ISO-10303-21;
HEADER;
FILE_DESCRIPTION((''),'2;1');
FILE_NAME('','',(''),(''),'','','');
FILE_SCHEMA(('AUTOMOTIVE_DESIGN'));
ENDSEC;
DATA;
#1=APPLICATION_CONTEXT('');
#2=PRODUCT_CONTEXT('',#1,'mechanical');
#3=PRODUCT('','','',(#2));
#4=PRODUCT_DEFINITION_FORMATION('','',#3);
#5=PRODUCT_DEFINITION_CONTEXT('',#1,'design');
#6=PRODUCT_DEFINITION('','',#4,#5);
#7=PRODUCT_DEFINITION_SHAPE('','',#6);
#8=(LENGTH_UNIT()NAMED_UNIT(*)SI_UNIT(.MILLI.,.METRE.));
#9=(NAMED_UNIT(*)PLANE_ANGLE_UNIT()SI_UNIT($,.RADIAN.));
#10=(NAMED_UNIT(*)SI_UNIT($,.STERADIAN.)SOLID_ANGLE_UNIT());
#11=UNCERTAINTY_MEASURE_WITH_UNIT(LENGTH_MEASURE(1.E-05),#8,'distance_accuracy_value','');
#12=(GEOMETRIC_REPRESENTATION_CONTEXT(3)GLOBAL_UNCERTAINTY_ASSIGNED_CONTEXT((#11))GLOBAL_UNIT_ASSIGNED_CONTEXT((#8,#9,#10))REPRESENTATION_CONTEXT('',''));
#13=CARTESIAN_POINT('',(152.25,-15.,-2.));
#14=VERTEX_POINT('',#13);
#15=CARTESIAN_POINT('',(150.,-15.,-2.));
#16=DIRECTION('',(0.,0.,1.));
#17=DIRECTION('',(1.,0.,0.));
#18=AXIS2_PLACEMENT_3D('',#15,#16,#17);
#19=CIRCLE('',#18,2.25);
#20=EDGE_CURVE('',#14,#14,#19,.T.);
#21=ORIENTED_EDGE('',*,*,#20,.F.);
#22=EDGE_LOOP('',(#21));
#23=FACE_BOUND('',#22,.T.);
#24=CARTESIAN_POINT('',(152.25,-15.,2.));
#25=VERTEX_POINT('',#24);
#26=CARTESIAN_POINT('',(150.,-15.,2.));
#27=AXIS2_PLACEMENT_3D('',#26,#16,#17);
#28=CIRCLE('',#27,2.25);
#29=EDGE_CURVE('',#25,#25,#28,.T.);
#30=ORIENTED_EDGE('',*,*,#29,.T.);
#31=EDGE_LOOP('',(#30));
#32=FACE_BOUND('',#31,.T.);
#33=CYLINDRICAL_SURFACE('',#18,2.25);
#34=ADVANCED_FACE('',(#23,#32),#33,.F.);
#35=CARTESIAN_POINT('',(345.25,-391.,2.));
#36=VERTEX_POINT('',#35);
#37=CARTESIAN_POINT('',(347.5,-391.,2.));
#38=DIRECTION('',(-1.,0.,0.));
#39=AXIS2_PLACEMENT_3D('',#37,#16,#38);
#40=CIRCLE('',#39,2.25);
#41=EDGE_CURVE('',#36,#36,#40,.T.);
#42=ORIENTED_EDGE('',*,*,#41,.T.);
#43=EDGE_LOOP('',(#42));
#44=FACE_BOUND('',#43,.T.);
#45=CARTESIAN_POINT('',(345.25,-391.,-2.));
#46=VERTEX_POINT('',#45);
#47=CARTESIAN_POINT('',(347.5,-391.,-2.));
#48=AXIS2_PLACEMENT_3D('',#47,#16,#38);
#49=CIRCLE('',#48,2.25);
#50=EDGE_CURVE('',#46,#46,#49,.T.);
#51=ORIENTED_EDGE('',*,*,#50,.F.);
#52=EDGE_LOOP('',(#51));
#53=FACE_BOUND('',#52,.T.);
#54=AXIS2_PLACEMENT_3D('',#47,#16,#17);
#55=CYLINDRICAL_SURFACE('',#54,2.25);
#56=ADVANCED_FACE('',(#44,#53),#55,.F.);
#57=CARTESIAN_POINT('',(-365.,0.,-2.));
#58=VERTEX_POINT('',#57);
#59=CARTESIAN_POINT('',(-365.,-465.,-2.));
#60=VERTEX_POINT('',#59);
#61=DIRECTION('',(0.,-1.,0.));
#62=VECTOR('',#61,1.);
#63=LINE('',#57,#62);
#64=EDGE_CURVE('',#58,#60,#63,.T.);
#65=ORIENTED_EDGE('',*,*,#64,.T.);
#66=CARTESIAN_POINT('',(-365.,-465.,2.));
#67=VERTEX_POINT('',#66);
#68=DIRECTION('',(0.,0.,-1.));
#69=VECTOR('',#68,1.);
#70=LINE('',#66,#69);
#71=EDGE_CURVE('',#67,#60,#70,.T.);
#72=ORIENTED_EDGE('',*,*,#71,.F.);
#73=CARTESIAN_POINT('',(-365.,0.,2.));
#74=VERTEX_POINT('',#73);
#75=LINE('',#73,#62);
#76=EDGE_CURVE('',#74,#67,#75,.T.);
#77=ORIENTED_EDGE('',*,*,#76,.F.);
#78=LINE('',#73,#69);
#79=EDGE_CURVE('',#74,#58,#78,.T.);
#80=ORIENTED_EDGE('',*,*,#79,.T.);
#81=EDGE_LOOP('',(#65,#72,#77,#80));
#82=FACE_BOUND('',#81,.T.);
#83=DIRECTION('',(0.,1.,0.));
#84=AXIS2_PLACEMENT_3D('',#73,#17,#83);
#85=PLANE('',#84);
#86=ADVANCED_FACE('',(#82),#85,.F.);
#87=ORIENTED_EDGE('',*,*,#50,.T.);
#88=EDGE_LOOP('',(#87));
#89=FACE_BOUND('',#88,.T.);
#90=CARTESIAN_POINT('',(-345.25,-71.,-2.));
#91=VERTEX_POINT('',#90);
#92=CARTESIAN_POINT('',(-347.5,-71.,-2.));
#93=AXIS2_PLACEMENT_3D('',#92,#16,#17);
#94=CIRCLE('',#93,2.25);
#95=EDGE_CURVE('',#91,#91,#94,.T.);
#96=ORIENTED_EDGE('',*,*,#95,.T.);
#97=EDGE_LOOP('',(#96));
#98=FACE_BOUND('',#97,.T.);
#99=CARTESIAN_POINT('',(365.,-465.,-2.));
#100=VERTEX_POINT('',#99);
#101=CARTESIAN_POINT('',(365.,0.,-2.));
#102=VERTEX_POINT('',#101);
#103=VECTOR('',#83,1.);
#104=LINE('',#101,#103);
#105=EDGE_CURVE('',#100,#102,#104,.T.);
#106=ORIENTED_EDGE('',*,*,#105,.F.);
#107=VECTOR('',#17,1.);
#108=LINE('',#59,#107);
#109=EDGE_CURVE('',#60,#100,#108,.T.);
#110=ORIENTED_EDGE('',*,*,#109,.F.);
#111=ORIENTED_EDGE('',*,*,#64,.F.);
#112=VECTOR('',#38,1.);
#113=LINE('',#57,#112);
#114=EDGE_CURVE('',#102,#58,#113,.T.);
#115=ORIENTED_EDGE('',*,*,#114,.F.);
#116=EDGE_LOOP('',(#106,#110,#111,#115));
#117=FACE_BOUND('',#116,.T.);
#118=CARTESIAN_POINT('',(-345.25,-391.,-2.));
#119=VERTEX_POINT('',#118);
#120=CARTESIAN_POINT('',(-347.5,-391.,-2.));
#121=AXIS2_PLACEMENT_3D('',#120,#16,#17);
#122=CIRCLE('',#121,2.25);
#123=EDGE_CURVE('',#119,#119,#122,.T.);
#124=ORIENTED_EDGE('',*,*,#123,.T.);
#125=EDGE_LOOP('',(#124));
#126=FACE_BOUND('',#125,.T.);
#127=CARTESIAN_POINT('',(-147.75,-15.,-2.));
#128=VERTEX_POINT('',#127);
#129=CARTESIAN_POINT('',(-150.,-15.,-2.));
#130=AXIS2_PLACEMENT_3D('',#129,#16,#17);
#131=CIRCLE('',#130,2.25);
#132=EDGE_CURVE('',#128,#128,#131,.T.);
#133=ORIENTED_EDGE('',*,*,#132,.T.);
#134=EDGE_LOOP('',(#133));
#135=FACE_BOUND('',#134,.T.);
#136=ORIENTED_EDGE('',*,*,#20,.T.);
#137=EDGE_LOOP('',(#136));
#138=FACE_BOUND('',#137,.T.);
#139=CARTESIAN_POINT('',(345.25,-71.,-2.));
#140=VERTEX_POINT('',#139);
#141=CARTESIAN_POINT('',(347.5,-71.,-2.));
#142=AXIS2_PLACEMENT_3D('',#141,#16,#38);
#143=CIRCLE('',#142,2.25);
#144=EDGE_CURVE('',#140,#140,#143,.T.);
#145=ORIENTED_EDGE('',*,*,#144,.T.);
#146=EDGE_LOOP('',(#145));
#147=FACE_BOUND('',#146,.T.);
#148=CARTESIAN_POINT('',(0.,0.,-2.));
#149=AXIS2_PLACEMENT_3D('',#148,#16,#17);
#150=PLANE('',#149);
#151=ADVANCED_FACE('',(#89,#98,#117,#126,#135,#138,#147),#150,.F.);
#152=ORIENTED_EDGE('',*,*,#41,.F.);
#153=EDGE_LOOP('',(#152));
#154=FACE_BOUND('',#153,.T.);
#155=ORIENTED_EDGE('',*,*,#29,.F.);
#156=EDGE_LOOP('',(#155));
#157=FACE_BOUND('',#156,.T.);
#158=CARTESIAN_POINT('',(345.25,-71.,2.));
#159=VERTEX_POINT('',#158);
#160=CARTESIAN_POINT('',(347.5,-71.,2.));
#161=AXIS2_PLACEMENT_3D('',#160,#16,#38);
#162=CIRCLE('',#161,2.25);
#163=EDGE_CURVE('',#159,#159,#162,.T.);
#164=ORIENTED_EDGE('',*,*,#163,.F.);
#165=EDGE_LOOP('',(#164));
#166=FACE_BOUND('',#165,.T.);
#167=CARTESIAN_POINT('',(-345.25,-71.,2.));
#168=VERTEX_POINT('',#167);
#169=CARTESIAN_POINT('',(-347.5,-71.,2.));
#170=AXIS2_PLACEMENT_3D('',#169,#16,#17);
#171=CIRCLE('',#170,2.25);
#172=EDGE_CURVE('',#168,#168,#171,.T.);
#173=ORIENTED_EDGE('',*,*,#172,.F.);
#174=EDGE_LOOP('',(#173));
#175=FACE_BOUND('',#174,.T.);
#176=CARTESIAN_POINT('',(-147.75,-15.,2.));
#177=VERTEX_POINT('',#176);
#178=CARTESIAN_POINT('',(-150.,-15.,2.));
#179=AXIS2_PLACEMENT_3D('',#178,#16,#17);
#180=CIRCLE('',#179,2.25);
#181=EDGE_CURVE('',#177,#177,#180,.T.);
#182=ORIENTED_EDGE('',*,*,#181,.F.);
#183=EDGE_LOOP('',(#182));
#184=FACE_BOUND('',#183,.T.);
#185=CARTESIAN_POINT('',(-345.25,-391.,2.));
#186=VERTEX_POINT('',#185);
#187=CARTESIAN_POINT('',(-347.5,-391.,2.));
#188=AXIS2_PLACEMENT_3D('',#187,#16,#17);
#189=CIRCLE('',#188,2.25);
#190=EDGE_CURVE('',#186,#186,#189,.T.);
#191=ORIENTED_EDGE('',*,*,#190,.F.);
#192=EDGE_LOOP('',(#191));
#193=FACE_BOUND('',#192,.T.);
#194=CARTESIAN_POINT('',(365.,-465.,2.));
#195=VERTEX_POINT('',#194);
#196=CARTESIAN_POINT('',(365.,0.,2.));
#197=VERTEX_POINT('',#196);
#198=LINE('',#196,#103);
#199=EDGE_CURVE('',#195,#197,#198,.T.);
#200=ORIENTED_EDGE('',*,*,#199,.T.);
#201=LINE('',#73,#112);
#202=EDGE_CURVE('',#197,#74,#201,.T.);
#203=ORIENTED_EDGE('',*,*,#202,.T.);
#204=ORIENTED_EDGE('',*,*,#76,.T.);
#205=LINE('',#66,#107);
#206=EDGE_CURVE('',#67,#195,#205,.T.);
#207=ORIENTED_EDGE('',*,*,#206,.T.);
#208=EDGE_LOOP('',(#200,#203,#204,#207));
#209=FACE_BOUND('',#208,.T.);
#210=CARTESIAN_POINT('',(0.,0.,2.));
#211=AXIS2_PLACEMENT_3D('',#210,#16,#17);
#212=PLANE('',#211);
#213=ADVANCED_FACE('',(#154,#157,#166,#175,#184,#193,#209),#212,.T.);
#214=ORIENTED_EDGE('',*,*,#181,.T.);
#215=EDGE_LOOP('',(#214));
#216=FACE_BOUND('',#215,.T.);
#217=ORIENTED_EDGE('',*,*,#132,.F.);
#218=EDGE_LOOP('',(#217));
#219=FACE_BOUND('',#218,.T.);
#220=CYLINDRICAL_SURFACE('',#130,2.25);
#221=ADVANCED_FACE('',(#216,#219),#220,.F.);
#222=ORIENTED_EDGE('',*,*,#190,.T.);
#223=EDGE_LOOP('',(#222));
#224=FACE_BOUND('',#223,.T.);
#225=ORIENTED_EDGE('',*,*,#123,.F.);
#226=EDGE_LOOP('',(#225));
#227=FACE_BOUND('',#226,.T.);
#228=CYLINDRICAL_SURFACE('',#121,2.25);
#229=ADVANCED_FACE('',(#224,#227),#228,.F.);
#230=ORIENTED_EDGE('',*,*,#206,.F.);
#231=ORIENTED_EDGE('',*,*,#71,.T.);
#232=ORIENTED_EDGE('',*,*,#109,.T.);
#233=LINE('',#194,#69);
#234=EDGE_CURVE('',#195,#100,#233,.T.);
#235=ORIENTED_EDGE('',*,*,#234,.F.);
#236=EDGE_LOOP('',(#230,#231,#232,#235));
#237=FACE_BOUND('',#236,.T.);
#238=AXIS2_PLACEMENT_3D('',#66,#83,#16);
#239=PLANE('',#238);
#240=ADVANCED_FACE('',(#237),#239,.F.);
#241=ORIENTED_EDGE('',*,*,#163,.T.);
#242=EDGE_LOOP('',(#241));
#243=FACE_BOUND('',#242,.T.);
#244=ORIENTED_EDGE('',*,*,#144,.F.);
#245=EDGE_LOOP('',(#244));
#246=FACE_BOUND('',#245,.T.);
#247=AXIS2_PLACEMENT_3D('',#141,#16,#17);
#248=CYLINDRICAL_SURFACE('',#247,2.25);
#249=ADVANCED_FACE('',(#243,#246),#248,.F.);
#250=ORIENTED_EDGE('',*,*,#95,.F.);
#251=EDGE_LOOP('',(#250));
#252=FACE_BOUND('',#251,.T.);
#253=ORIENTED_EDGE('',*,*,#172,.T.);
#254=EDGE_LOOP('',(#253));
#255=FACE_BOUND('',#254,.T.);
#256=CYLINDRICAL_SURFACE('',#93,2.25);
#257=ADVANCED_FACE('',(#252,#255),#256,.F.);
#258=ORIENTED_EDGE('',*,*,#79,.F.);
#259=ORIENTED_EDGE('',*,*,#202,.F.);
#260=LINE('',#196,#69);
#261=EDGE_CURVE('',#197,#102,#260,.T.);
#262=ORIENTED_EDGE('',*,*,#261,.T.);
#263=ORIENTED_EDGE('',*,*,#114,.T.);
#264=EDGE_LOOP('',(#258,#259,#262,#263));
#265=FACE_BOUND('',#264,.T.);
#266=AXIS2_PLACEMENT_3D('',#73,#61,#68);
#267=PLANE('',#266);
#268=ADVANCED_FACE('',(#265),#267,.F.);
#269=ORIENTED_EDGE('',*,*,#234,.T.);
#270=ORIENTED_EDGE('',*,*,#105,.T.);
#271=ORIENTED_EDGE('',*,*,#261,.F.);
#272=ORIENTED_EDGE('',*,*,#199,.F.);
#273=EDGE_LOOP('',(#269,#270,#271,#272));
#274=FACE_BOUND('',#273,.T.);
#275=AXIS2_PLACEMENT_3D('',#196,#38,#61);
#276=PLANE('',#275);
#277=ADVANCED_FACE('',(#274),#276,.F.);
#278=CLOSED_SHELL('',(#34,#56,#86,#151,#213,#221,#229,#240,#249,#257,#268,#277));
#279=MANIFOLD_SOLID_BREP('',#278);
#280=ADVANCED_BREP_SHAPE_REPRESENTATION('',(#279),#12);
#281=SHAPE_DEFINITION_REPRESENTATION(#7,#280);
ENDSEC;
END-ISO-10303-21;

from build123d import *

# Parameters (mm, degrees)
SKETCH1_W           = 730
SKETCH1_H           = 465
BOSS_EXTRUDE1_DEPTH = 2
SKETCH2_R           = 2.25
CUT_EXTRUDE1_DEPTH  = 592.156493663


with BuildPart() as part:
    # Sketch1 → Boss-Extrude1 (new, symmetric)
    with BuildSketch(Plane.XY):
        with Locations((0, -232.5)):
            Rectangle(SKETCH1_W, SKETCH1_H)
    extrude(amount=BOSS_EXTRUDE1_DEPTH, both=True)

    # Sketch2 → Cut-Extrude1 (cut, through all)
    with BuildSketch(Plane.XY.offset(2)):
        with Locations((-150, -15)):
            Circle(SKETCH2_R)
        with Locations((150, -15)):
            Circle(SKETCH2_R)
        with Locations((-347.5, -71)):
            Circle(SKETCH2_R)
        with Locations((-347.5, -391)):
            Circle(SKETCH2_R)
        with Locations(Location((347.5, -391, 0), (0, 0, 180))):
            Circle(SKETCH2_R)
        with Locations(Location((347.5, -71, 0), (0, 0, 180))):
            Circle(SKETCH2_R)
    extrude(amount=-CUT_EXTRUDE1_DEPTH, mode=Mode.SUBTRACT)


solid = part.part
